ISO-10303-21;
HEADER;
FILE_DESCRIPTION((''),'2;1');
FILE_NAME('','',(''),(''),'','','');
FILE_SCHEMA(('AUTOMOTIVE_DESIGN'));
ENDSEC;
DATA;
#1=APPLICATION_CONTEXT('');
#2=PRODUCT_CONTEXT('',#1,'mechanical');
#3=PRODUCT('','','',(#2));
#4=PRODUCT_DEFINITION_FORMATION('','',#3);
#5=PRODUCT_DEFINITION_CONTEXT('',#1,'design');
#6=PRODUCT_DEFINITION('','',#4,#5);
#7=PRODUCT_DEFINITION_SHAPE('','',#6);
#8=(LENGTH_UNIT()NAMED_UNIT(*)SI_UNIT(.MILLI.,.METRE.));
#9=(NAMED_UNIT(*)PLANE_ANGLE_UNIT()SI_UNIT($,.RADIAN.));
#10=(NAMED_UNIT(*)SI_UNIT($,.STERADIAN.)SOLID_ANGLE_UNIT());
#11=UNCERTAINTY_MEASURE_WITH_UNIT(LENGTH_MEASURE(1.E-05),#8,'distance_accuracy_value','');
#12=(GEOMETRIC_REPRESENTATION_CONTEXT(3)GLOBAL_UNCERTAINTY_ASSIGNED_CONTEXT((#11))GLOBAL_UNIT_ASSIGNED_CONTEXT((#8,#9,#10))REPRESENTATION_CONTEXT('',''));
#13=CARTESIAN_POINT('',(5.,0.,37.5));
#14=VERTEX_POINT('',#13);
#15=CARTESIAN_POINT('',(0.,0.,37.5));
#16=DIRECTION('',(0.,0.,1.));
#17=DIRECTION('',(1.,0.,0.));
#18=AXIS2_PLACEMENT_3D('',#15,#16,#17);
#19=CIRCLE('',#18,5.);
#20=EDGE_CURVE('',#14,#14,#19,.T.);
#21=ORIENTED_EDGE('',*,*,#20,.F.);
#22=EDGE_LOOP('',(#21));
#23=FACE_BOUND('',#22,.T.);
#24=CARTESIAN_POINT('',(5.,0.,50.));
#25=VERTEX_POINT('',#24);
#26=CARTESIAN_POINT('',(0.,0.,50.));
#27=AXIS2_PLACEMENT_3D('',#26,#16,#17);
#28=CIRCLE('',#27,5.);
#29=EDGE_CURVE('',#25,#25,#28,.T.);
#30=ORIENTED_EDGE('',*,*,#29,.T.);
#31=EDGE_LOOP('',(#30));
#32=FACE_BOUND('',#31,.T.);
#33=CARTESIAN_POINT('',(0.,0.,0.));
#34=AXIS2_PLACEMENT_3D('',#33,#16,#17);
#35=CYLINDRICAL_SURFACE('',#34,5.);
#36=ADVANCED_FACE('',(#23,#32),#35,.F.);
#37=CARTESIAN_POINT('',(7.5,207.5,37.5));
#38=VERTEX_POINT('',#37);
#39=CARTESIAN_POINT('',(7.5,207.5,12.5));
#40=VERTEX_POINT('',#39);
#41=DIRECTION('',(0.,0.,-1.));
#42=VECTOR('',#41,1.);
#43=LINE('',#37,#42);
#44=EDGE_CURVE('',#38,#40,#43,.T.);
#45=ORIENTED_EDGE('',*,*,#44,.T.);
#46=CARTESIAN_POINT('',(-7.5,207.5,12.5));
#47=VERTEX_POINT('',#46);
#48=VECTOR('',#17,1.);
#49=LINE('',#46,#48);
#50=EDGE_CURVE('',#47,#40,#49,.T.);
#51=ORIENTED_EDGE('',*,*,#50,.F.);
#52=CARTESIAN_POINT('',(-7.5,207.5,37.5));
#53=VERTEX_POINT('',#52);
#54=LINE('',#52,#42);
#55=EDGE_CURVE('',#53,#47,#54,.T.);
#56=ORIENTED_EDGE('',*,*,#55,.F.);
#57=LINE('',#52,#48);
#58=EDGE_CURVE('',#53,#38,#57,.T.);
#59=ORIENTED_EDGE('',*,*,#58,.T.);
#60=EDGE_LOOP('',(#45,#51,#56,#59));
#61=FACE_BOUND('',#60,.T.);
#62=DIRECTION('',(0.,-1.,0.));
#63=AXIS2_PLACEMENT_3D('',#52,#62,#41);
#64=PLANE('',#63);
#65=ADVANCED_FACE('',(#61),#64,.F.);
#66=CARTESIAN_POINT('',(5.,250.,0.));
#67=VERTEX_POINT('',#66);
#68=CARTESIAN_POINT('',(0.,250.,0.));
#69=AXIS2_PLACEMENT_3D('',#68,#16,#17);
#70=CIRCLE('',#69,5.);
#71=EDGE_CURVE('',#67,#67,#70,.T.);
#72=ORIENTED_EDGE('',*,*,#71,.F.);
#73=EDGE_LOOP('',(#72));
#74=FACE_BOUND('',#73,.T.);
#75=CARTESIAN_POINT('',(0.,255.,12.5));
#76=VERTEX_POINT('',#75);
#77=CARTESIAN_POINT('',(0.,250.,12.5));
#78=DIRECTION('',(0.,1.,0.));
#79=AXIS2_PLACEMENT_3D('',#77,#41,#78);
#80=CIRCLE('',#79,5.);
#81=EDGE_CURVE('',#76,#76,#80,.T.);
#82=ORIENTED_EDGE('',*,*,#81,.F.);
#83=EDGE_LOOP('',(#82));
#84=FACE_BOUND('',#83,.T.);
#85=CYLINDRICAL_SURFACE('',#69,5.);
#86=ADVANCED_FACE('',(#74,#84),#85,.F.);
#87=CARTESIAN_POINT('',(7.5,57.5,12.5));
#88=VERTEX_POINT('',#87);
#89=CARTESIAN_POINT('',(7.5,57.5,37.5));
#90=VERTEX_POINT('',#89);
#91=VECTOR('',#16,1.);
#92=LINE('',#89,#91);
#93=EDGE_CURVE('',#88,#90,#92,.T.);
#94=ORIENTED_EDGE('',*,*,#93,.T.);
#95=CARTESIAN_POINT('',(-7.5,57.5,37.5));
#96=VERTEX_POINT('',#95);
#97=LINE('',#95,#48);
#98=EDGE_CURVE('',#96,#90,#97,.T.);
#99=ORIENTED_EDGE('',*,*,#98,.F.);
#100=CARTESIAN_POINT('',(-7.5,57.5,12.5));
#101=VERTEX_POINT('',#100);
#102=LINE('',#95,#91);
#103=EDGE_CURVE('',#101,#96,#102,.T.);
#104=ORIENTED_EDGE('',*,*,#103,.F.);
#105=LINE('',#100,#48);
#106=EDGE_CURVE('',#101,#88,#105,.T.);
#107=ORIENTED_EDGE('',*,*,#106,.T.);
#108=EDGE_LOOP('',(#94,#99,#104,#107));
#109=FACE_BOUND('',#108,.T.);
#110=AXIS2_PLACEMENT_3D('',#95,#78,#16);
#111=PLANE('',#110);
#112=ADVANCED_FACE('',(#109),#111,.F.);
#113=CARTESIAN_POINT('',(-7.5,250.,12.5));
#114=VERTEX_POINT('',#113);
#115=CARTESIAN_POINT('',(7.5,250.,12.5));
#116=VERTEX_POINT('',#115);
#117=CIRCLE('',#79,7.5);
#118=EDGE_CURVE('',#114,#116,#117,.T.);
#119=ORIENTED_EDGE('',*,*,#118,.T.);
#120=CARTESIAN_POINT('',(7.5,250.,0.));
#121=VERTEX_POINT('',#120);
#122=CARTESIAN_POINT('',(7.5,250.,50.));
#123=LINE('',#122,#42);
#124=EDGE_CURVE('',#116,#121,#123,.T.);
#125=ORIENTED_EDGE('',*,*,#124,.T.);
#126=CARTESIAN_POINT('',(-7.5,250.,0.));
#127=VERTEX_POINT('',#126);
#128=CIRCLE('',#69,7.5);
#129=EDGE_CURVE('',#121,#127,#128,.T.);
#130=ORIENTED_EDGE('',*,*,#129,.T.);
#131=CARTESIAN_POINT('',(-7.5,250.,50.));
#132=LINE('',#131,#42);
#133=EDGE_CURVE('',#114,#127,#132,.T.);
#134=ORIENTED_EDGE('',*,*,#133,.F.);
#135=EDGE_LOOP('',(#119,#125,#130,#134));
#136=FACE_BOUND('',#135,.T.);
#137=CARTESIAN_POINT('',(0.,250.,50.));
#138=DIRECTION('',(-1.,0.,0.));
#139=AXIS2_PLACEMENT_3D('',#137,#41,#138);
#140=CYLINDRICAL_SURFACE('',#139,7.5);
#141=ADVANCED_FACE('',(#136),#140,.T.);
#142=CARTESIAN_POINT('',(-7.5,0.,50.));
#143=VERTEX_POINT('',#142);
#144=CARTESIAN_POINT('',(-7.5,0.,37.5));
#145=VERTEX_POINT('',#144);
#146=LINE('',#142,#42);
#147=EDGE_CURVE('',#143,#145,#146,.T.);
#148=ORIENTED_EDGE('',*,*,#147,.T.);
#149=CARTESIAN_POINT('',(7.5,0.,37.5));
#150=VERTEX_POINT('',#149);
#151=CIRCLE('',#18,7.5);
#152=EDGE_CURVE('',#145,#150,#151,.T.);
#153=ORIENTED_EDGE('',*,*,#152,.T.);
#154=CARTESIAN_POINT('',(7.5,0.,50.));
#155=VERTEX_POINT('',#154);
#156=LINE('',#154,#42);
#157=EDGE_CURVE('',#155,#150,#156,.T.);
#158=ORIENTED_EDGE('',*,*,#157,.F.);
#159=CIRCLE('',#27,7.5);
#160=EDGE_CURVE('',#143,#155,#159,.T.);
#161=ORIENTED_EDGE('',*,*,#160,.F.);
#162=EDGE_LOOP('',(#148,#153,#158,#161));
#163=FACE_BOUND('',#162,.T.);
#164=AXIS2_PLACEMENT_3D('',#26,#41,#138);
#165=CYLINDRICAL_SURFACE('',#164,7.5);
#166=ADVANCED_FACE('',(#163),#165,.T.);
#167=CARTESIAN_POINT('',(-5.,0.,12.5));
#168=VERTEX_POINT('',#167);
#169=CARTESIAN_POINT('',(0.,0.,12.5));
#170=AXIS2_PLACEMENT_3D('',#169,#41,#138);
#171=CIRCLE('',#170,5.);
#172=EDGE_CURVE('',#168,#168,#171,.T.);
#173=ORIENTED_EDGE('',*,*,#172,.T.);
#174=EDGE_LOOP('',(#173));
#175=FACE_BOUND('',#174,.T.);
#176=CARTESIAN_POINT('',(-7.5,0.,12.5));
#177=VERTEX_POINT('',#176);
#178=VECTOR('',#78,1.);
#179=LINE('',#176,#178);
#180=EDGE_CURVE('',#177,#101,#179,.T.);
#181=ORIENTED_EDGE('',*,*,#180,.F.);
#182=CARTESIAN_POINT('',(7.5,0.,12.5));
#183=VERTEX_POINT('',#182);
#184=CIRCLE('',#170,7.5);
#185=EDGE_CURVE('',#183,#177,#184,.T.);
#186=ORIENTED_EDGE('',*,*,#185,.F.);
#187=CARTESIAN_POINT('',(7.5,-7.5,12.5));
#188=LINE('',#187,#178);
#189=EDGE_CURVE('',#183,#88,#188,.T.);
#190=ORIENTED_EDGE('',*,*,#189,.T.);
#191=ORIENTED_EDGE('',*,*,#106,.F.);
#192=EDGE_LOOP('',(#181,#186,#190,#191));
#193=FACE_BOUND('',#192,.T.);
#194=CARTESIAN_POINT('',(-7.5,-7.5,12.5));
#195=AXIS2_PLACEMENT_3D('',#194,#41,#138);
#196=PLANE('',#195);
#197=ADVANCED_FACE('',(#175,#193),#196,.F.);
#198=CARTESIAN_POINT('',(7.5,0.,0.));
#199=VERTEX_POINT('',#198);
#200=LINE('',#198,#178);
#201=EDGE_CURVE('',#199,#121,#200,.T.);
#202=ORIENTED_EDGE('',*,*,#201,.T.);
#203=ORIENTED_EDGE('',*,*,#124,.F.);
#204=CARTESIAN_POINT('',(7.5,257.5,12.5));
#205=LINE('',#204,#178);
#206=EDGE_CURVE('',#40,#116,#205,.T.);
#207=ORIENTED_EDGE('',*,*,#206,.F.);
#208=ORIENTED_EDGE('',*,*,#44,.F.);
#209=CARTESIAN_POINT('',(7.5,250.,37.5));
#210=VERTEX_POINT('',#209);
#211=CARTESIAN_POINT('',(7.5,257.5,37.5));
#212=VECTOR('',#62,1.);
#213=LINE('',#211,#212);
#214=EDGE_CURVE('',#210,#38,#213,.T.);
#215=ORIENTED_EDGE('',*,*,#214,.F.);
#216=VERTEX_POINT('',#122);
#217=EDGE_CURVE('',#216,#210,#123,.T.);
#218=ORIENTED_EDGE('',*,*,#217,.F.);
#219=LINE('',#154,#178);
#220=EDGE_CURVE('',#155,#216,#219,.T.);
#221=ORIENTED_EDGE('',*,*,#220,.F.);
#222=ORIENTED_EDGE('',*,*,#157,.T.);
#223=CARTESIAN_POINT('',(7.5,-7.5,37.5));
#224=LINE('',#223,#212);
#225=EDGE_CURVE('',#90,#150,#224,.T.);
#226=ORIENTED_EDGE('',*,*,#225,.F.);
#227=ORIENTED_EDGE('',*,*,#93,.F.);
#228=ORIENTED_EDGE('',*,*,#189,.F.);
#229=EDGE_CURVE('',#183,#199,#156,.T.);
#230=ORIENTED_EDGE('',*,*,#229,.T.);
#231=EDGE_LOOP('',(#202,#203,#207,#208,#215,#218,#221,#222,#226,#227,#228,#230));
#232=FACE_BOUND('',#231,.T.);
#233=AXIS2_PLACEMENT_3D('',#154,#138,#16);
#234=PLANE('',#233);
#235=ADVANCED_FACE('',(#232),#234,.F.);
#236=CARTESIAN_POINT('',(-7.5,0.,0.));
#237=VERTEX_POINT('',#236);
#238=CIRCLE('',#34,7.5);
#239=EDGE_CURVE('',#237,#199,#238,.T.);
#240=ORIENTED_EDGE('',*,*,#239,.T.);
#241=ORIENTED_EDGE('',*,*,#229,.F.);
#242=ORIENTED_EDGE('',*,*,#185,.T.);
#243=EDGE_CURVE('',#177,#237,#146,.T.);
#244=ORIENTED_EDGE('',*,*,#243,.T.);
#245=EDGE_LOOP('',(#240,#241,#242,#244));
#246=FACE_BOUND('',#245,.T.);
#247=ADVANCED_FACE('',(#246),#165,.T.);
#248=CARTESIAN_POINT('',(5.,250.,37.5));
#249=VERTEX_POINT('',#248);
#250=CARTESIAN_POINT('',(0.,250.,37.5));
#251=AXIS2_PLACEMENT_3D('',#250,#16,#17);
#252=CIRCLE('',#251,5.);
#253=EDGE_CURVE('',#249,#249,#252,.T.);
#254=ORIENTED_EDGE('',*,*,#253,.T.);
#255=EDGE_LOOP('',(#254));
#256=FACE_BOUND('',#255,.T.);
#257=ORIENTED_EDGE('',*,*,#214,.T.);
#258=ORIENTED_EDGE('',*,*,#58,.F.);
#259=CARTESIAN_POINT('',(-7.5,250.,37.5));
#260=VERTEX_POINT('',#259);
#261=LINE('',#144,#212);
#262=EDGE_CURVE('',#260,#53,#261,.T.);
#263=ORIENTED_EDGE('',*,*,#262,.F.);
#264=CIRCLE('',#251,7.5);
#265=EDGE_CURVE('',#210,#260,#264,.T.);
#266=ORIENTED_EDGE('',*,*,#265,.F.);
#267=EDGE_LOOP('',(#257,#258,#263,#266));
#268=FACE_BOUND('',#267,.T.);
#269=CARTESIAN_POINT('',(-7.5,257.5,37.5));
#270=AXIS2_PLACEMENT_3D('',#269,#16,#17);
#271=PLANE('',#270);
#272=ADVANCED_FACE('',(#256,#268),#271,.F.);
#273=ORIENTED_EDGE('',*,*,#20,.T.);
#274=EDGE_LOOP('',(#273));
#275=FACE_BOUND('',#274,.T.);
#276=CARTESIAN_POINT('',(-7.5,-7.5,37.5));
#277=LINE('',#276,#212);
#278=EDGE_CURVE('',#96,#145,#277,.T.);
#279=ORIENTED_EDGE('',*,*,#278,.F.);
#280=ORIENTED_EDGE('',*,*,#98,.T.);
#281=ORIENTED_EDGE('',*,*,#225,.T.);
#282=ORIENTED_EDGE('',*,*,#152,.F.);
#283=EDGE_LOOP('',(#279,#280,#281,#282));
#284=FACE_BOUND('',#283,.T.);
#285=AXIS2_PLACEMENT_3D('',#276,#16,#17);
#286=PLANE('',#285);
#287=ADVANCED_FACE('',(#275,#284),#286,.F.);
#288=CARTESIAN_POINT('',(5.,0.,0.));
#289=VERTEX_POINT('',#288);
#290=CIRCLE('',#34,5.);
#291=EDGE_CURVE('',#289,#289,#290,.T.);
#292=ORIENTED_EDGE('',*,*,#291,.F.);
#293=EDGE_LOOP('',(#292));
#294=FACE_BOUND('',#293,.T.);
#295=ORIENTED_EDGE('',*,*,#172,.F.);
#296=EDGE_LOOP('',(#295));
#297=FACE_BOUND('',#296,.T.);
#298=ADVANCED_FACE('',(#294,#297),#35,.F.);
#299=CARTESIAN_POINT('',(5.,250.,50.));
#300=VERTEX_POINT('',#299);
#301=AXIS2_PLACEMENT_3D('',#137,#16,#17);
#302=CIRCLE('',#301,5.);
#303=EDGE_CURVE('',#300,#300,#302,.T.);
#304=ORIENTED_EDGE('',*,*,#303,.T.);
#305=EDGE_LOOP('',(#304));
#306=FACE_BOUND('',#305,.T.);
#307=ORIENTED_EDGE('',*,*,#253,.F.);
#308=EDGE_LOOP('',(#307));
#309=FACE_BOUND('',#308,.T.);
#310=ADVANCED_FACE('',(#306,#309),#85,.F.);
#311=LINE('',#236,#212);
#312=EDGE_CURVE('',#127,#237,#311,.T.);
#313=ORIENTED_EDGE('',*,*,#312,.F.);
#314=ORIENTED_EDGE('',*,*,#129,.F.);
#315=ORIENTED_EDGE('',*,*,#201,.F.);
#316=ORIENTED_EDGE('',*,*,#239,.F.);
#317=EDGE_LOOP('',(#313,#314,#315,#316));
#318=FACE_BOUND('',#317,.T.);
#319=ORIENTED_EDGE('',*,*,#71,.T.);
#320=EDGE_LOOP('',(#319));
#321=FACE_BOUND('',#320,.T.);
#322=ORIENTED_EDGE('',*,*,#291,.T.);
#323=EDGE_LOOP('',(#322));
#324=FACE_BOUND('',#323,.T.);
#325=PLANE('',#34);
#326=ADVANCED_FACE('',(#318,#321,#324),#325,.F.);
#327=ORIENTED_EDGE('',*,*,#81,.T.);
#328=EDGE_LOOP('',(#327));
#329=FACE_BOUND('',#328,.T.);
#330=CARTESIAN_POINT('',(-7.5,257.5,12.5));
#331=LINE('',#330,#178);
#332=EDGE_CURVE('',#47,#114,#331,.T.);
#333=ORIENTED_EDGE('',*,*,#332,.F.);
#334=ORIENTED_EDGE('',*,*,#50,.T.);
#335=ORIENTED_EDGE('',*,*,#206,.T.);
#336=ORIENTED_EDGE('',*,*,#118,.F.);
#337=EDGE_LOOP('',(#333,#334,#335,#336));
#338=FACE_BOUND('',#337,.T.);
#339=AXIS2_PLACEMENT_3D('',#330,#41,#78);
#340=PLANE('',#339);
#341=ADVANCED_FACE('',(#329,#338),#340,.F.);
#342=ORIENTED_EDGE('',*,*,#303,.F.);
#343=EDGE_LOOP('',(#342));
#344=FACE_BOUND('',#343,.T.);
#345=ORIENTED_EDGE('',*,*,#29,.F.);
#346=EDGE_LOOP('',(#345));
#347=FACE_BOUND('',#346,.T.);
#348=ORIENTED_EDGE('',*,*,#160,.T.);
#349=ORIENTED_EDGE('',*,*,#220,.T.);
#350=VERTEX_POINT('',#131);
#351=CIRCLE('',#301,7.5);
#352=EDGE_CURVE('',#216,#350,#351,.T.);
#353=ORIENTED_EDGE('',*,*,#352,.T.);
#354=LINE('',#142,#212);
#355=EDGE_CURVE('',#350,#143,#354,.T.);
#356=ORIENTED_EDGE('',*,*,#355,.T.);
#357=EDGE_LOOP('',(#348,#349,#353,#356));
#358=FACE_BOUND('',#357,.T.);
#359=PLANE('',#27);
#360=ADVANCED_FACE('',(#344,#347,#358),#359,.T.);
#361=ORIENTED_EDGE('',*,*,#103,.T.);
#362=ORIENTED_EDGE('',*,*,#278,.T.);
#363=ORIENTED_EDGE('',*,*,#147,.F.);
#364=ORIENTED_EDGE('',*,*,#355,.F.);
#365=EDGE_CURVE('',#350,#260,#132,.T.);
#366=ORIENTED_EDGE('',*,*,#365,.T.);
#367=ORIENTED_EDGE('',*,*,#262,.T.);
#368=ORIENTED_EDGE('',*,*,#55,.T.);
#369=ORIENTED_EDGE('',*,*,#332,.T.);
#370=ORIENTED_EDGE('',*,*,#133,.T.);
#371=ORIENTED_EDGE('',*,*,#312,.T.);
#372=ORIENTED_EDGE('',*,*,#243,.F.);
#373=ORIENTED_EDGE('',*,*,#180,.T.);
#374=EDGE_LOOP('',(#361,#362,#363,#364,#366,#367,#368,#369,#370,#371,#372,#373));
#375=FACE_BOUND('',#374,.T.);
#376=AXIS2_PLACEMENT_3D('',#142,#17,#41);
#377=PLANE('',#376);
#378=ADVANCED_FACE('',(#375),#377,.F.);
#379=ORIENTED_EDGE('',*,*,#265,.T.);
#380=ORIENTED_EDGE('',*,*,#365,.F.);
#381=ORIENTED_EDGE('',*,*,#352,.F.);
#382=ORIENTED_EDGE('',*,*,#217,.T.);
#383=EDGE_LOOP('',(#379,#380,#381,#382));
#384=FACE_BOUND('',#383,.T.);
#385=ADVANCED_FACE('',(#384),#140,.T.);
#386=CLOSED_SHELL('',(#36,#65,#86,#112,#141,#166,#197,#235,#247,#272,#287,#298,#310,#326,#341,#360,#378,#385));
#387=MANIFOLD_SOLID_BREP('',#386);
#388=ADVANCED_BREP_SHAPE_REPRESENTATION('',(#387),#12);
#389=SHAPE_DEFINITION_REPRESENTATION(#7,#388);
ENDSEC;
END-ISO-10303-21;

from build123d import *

# Parameters (mm, degrees)
EXTRUDE_1_DEPTH     = 50
SKETCH_2_W          = 25
SKETCH_2_H          = 50
SKETCH_2_H_2        = 65
CUT_EXTRUDE_1_DEPTH = 263.737987356
SKETCH_3_R          = 5
CUT_EXTRUDE_2_DEPTH = 263.416653435


with BuildPart() as part:
    # 草图1 → 凸台-拉伸1 (new body)
    with BuildSketch(Plane.XY):
        with BuildLine():
            Line((-7.5, 0), (-7.5, 250))
            ThreePointArc((-7.5, 250), (0, 257.5), (7.5, 250))
            Line((7.5, 250), (7.5, 0))
            ThreePointArc((7.5, 0), (0, -7.5), (-7.5, 0))
        make_face()
    extrude(amount=EXTRUDE_1_DEPTH)

    # 草图2 → 切除-拉伸1 (cut, through all)
    with BuildSketch(Plane(origin=(7.5, 0, 0), x_dir=(0, 0, -1), z_dir=(1, 0, 0))):
        with Locations((-25, 232.5)):
            Rectangle(SKETCH_2_W, SKETCH_2_H)
        with Locations((-25, 25)):
            Rectangle(SKETCH_2_W, SKETCH_2_H_2)
    extrude(amount=-CUT_EXTRUDE_1_DEPTH, mode=Mode.SUBTRACT)

    # 草图3 → 切除-拉伸2 (cut, through all)
    with BuildSketch(Plane.XY.offset(50)):
        with Locations((0, 250)):
            Circle(SKETCH_3_R)
        Circle(SKETCH_3_R)
    extrude(amount=-CUT_EXTRUDE_2_DEPTH, mode=Mode.SUBTRACT)


solid = part.part
